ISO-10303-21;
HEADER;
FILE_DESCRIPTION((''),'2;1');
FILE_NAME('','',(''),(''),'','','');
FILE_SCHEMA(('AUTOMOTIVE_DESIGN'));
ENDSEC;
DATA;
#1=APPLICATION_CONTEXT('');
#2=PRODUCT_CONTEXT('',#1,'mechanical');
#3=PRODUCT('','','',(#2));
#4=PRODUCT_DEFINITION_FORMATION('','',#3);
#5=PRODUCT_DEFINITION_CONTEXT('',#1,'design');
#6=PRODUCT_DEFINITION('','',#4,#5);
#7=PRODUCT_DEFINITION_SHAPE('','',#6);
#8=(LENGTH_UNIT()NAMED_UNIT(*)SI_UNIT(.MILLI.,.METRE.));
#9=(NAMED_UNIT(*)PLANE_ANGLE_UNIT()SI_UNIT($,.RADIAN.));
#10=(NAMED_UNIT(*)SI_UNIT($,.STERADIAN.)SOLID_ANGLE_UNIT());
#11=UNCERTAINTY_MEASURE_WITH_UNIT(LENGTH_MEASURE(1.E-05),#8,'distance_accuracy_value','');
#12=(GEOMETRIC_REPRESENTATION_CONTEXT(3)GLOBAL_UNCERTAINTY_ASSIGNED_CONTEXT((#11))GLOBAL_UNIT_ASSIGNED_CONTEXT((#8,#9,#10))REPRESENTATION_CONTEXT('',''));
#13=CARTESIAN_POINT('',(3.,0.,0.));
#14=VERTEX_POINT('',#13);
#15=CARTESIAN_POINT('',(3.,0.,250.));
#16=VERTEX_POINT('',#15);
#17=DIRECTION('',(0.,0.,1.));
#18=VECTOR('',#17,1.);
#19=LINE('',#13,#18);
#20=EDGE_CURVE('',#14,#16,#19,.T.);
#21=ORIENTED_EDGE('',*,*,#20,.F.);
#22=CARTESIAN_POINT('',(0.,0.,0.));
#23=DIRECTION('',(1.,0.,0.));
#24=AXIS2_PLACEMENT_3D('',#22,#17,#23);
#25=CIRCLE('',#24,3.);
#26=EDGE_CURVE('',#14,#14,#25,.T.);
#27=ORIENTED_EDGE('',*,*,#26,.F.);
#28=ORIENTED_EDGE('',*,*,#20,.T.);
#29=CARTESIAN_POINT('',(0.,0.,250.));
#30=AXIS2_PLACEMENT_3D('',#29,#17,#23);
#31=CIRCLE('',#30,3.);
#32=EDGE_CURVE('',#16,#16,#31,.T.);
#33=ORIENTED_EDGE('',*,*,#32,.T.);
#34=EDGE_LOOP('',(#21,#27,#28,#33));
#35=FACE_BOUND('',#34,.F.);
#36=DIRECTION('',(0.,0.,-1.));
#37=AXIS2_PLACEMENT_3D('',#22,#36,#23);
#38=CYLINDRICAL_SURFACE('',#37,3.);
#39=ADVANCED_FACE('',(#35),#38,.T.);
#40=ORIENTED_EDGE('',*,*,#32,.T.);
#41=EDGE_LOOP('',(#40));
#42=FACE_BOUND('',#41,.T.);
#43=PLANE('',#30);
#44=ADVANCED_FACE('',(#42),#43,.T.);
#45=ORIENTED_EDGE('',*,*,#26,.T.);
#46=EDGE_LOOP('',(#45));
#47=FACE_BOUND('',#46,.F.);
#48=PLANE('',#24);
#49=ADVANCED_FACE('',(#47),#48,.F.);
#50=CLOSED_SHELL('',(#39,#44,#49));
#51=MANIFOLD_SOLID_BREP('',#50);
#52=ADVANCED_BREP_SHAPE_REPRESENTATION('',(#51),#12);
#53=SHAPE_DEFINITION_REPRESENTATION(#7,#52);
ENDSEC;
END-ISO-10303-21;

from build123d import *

# Parameters (mm, degrees)
SKETCH1_R  = 3
MAIN_DEPTH = 250


with BuildPart() as part:
    # Sketch1 → Main (new body)
    with BuildSketch(Plane.XY):
        Circle(SKETCH1_R)
    extrude(amount=MAIN_DEPTH)


solid = part.part
